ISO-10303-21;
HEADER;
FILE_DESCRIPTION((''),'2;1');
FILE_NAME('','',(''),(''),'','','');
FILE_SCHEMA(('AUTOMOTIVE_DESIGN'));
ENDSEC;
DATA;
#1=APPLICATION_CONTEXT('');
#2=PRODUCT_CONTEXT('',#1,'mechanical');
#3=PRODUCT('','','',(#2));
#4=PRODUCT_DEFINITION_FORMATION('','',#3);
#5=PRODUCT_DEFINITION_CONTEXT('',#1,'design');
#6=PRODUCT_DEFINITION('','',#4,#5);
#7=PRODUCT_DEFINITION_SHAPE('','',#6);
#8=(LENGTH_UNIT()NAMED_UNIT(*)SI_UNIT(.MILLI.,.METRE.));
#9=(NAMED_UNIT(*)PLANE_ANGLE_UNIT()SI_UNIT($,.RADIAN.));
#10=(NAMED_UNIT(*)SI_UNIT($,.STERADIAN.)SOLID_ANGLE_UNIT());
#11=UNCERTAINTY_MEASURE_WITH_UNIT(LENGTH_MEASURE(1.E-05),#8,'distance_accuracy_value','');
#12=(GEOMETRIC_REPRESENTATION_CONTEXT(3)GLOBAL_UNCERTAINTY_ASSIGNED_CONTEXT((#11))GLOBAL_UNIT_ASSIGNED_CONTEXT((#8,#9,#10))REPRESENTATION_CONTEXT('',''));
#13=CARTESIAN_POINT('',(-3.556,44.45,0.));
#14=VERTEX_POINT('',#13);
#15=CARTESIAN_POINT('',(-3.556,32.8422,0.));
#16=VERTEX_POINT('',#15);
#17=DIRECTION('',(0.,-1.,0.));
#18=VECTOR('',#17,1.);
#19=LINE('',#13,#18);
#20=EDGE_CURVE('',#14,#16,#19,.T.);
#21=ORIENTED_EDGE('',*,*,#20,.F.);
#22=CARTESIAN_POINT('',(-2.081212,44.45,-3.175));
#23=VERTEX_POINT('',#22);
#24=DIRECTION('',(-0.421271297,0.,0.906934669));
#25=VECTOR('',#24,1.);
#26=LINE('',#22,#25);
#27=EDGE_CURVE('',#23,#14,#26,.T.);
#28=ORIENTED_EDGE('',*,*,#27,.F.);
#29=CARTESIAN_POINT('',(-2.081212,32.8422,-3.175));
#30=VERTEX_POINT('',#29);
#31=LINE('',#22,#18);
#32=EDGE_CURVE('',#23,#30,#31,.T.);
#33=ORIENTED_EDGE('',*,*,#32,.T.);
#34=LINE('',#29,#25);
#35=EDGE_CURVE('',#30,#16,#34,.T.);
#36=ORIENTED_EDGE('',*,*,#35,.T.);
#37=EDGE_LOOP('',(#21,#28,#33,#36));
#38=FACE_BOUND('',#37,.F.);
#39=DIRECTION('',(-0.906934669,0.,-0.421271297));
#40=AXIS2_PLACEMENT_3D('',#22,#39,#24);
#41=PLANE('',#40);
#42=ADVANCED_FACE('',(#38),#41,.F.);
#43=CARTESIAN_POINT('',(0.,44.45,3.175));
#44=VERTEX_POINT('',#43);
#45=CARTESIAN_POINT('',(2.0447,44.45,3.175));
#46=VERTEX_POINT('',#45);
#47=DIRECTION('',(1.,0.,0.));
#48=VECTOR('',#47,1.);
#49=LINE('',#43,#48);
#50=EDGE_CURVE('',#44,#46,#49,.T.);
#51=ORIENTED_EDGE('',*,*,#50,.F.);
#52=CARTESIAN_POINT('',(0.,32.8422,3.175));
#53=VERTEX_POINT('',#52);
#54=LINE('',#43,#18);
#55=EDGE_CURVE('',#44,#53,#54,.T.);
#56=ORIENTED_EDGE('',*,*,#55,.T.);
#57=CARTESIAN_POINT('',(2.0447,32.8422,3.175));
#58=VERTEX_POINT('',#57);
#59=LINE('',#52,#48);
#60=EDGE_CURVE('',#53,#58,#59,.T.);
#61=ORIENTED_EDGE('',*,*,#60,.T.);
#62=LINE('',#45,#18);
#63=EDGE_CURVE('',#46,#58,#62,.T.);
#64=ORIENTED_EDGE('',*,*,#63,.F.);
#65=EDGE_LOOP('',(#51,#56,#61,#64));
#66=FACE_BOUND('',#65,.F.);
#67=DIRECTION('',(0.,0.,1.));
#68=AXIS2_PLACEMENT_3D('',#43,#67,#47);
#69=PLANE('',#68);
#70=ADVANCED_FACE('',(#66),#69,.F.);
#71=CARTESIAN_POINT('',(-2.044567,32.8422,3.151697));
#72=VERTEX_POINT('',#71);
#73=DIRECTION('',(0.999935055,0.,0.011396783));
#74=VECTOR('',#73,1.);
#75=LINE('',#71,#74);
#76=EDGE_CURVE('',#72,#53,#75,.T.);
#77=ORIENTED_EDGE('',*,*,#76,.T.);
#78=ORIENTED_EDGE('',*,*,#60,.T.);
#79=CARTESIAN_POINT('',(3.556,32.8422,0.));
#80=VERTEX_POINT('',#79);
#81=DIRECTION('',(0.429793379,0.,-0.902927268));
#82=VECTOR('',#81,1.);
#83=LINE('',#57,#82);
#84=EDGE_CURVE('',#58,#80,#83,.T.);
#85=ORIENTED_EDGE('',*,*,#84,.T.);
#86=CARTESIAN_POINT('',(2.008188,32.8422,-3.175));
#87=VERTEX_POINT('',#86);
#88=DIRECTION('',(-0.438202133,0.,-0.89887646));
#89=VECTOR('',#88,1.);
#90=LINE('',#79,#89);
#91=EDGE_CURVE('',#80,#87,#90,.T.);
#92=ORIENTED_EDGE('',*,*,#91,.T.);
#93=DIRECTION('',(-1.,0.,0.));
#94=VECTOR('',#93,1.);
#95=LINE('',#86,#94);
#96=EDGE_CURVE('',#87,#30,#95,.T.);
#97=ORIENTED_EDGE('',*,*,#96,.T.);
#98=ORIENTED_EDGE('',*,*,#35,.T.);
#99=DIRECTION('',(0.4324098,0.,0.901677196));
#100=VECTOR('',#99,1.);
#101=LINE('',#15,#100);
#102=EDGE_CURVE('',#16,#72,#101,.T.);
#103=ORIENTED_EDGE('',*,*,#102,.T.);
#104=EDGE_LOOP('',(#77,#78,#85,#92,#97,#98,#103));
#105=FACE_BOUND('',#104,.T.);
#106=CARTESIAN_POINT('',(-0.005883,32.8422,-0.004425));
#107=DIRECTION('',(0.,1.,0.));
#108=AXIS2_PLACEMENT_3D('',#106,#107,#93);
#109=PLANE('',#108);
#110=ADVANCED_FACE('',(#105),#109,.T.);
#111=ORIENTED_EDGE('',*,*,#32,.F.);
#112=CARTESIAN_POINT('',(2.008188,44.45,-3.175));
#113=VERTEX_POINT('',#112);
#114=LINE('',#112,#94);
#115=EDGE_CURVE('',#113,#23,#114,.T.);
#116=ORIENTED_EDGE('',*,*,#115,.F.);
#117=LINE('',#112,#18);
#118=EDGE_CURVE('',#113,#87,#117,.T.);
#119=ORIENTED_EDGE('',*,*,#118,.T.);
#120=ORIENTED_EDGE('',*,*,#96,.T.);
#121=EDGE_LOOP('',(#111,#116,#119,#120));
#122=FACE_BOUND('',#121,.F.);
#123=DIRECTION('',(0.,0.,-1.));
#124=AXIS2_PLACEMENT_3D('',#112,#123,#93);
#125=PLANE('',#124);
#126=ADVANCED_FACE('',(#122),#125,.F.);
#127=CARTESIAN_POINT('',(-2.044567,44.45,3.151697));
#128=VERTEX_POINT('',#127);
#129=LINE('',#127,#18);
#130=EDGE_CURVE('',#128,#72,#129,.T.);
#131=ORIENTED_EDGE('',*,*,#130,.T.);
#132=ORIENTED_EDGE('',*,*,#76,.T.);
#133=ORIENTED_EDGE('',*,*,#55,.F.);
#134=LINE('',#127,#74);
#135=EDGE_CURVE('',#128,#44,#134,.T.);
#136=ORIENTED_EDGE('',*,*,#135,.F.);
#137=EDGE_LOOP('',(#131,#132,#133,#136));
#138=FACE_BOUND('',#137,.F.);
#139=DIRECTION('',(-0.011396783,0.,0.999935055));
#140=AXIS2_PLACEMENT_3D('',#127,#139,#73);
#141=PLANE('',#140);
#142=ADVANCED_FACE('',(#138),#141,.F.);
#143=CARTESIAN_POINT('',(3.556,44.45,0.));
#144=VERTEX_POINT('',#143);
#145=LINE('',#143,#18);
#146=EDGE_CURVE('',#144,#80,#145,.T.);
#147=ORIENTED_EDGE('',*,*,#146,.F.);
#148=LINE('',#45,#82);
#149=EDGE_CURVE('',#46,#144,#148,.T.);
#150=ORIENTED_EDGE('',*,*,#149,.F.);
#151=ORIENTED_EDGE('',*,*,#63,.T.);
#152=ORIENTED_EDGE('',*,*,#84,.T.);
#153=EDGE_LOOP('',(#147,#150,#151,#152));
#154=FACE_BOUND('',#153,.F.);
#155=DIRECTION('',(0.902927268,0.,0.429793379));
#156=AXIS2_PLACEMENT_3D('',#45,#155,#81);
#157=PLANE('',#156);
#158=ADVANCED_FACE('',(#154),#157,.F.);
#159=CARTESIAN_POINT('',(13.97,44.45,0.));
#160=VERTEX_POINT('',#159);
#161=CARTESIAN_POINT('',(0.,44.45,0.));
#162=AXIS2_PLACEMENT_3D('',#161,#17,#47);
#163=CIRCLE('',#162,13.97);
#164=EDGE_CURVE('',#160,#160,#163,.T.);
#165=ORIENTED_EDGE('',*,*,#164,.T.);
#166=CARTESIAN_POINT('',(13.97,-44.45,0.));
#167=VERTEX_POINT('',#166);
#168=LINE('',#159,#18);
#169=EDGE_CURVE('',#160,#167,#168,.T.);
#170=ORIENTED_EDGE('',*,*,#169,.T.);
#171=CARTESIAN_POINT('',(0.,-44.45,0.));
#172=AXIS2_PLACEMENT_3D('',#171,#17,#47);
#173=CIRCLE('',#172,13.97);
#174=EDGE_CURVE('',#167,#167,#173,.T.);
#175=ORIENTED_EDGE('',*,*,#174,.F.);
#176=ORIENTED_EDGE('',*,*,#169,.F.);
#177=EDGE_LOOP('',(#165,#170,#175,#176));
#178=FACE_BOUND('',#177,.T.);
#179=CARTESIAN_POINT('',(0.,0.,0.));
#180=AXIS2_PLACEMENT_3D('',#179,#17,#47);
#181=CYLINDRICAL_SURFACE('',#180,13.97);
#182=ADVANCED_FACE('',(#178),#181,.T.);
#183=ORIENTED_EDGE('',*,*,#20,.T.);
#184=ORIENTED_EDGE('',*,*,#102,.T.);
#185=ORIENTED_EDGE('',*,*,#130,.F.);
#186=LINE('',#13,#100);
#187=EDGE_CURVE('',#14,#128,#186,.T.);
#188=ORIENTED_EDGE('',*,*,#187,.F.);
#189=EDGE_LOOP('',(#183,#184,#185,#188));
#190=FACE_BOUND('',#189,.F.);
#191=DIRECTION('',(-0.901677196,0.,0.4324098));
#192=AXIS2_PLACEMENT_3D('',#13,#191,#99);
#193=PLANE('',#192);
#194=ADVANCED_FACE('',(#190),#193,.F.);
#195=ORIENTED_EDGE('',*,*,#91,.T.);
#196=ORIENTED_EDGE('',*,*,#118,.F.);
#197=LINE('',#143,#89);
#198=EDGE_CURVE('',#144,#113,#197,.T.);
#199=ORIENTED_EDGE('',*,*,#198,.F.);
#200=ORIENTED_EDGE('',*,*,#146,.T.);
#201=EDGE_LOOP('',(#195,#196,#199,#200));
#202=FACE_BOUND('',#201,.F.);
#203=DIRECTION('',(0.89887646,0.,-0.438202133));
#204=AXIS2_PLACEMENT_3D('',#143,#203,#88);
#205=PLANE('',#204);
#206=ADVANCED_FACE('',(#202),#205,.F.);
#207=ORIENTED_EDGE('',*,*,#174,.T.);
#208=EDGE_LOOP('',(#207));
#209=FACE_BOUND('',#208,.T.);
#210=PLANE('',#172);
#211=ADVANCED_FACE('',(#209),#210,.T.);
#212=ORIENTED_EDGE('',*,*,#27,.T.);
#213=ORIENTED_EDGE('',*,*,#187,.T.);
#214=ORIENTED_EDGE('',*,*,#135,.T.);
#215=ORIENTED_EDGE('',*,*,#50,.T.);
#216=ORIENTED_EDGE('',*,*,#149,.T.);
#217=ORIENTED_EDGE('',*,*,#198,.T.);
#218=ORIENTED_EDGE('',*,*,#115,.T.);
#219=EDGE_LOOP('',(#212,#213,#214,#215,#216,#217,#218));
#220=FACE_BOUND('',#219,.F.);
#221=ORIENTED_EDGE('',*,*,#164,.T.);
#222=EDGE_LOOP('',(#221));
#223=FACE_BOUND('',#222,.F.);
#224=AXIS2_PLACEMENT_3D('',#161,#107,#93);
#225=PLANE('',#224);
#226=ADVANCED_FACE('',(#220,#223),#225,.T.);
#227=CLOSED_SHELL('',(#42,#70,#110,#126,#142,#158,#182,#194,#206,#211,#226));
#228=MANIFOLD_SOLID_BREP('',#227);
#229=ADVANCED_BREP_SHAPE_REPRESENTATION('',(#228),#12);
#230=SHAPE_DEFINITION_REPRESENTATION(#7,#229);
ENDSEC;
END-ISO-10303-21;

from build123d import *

# Parameters (mm, degrees)
F0_R     = 13.97
F1_DEPTH = 44.45
F4_DEPTH = 11.6078


with BuildPart() as f1:
    # F0 (on Front) → F1 (new body)
    with BuildSketch(Plane.XZ):
        Circle(F0_R)
    extrude(amount=F1_DEPTH)

    # F2: F1 across plane


with BuildPart() as f1_1:
    add(f1.part)
    add(f1.part.mirror(Plane.XZ))

    # F3 (on face) → F4 (cut)
    with BuildSketch(Plane(origin=(0, 44.45, 0), x_dir=(-1, 0, 0), z_dir=(0, 1, 0))):
        Polygon((2.044567, 3.151697), (0, 3.175), (-2.0447, 3.175), (-3.556, 0), (-2.008188, -3.175), (0.036512, -3.175), (2.081212, -3.175), (3.556, 0), align=None)
    extrude(amount=-F4_DEPTH, mode=Mode.SUBTRACT)


solid = f1_1.part
